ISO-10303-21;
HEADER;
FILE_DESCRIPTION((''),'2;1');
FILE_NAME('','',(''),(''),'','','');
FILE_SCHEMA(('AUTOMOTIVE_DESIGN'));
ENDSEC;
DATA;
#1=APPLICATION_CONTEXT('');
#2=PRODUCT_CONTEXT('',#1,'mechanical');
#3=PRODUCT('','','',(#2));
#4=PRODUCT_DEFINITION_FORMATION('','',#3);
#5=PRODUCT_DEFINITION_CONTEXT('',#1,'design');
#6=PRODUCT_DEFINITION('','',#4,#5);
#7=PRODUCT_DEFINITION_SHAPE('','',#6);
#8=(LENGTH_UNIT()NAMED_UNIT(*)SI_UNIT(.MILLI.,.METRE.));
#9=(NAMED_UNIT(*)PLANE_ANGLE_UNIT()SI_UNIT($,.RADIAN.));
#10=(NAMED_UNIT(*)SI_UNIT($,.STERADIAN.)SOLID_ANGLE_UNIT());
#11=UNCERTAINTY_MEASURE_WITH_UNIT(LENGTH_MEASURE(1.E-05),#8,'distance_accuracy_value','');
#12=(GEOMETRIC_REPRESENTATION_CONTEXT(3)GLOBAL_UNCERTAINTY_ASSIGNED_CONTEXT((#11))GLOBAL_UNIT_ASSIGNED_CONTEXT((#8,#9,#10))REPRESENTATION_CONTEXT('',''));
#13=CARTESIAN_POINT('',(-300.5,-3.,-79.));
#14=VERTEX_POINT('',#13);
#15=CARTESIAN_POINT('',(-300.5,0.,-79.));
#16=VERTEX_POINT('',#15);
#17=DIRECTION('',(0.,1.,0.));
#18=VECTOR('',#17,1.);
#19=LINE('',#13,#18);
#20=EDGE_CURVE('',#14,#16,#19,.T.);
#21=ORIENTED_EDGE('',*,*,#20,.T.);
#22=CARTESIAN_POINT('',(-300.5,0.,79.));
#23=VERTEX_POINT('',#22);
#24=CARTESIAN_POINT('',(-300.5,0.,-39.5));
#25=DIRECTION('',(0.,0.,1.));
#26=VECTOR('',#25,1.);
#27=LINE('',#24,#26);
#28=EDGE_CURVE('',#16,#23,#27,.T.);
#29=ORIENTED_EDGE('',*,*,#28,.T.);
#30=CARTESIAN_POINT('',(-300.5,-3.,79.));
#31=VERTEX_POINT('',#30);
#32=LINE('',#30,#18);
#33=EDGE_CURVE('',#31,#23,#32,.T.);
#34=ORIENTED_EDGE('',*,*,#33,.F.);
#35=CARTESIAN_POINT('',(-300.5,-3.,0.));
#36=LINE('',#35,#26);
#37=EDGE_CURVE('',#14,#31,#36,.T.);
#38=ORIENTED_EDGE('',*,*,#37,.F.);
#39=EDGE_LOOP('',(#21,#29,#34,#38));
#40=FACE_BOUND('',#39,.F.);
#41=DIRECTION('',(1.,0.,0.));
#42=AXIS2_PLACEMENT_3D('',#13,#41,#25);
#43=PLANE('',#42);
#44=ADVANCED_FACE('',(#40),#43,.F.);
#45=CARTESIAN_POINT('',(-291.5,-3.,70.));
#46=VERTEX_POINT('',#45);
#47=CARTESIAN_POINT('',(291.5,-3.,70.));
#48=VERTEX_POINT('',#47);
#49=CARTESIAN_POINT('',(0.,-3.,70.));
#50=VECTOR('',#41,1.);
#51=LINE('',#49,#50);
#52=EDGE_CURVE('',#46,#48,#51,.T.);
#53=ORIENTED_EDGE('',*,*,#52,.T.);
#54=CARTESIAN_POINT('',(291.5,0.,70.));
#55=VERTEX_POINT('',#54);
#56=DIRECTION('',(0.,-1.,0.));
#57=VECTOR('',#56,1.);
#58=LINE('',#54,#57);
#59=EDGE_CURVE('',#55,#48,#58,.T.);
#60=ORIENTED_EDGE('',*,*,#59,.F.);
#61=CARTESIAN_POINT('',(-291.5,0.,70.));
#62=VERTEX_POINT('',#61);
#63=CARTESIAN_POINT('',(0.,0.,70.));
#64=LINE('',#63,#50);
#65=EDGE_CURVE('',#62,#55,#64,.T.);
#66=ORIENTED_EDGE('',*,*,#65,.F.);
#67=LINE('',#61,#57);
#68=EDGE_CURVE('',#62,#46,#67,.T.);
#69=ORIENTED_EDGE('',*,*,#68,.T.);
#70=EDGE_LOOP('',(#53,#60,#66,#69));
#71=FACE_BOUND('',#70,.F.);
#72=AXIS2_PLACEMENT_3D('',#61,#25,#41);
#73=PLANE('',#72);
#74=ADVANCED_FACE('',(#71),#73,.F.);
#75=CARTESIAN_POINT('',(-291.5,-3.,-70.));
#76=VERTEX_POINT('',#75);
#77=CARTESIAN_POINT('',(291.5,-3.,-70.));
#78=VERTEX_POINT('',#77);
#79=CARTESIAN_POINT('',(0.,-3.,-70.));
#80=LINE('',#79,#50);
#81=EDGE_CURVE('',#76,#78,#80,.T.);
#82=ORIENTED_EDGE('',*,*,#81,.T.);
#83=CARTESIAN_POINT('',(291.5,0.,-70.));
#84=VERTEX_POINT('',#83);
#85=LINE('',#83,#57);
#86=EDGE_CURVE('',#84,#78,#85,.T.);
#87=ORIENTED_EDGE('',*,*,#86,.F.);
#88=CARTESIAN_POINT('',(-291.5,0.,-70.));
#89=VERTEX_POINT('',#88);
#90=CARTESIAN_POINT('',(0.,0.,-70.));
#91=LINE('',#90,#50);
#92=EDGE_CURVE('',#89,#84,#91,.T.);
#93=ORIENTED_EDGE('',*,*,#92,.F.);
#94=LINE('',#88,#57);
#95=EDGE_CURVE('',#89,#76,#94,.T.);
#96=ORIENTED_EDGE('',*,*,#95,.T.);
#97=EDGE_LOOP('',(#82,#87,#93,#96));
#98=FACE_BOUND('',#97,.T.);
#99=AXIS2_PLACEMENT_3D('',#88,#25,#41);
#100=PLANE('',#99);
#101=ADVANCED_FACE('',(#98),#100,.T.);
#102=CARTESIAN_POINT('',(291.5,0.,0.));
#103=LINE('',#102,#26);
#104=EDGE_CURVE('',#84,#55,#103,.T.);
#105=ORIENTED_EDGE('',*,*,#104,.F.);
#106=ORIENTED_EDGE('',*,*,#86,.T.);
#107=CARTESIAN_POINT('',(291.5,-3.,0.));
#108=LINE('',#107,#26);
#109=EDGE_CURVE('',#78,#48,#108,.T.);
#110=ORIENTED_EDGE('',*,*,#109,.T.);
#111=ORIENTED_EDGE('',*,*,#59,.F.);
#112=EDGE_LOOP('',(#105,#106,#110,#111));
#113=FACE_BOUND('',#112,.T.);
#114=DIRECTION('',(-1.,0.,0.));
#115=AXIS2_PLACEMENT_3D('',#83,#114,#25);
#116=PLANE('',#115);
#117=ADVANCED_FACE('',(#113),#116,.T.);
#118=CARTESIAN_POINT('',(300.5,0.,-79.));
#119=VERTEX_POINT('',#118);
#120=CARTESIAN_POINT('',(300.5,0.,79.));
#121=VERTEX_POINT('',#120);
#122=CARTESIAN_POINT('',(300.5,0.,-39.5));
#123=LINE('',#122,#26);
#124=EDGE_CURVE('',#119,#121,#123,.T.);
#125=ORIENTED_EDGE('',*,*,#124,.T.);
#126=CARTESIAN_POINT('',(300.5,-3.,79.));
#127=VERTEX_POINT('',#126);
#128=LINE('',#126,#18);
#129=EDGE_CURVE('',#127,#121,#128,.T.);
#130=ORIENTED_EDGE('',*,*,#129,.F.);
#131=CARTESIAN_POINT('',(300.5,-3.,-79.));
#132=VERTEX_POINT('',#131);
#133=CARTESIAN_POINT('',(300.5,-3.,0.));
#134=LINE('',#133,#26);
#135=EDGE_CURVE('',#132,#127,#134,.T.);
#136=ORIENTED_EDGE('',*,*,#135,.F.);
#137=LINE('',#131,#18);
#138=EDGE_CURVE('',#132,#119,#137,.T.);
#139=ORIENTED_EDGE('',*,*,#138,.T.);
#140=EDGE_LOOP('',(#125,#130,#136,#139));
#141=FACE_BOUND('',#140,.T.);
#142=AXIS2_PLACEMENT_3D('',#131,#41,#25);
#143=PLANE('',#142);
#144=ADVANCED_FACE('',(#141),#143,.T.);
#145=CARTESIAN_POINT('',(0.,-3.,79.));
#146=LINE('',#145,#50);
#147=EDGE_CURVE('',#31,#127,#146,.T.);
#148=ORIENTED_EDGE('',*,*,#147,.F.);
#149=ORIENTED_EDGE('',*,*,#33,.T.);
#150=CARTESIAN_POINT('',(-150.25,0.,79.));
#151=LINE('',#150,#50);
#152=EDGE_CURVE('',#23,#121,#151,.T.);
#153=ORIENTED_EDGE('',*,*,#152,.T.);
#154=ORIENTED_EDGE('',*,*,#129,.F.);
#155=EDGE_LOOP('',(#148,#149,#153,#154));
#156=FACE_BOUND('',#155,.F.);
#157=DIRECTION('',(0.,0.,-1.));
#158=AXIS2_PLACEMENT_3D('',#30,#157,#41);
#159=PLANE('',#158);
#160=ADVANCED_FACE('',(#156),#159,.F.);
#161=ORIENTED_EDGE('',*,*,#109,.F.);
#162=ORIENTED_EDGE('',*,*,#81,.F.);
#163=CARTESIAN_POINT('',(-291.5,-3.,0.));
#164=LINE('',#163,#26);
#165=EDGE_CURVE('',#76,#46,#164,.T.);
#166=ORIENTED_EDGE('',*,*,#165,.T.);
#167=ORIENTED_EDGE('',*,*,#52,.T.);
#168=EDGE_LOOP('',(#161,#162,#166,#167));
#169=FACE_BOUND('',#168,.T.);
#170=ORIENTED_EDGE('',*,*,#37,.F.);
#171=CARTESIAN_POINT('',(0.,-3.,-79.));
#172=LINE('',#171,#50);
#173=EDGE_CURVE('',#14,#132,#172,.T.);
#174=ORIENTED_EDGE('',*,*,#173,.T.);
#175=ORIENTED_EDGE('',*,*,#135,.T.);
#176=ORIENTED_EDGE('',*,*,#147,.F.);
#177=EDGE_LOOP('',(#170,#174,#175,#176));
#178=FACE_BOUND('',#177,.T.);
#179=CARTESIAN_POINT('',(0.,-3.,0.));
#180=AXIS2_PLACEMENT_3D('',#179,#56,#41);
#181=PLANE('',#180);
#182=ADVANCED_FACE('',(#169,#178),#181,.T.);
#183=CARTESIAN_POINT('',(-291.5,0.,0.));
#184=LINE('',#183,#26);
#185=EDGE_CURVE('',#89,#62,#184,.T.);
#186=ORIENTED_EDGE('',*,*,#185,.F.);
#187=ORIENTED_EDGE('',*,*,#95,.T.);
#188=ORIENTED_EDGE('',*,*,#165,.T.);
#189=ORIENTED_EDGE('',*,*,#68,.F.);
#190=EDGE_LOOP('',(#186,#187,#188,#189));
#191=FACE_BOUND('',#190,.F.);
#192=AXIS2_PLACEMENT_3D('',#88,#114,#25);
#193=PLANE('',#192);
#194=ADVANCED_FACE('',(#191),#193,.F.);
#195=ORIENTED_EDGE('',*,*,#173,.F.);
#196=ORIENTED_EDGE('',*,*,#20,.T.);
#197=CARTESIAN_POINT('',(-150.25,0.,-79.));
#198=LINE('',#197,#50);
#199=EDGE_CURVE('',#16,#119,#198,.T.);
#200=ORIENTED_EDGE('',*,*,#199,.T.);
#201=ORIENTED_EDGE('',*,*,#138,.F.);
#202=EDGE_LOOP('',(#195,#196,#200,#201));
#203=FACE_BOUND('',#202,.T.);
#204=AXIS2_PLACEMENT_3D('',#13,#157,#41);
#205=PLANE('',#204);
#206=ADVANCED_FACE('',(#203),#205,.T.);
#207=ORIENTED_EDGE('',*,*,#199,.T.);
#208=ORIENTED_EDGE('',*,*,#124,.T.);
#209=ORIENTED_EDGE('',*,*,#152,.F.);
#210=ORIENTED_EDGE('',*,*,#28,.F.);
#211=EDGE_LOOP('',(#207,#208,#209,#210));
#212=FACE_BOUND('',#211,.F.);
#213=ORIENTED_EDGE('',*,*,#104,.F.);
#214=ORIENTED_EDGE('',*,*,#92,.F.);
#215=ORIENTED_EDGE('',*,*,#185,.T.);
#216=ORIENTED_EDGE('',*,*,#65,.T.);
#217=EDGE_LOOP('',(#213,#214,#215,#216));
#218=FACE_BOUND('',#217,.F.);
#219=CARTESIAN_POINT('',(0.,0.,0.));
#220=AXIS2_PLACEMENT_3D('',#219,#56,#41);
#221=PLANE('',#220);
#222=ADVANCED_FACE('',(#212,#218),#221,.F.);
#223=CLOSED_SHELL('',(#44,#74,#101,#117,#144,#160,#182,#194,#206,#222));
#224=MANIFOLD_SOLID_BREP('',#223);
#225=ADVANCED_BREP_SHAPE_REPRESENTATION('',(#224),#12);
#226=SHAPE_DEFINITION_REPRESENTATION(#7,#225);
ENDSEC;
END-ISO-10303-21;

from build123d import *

# Parameters (mm, degrees)
F0_W     = 603
F0_H     = 160
F0_W_2   = 583
F0_H_2   = 140
F1_DEPTH = 3
F2_W     = 603
F2_H     = 160
F2_W_2   = 601
F2_H_2   = 158
F3_DEPTH = 25


with BuildPart() as f1:
    # F0 (on Front) → F1 (new body)
    with BuildSketch(Plane.XZ):
        Rectangle(F0_W, F0_H)
        Rectangle(F0_W_2, F0_H_2, mode=Mode.SUBTRACT)
    extrude(amount=F1_DEPTH)

    # F2 (on face) → F3 (cut)
    with BuildSketch(Plane.XZ.offset(3)):
        Rectangle(F2_W, F2_H)
        Rectangle(F2_W_2, F2_H_2, mode=Mode.SUBTRACT)
    extrude(amount=-F3_DEPTH, mode=Mode.SUBTRACT)


solid = f1.part
